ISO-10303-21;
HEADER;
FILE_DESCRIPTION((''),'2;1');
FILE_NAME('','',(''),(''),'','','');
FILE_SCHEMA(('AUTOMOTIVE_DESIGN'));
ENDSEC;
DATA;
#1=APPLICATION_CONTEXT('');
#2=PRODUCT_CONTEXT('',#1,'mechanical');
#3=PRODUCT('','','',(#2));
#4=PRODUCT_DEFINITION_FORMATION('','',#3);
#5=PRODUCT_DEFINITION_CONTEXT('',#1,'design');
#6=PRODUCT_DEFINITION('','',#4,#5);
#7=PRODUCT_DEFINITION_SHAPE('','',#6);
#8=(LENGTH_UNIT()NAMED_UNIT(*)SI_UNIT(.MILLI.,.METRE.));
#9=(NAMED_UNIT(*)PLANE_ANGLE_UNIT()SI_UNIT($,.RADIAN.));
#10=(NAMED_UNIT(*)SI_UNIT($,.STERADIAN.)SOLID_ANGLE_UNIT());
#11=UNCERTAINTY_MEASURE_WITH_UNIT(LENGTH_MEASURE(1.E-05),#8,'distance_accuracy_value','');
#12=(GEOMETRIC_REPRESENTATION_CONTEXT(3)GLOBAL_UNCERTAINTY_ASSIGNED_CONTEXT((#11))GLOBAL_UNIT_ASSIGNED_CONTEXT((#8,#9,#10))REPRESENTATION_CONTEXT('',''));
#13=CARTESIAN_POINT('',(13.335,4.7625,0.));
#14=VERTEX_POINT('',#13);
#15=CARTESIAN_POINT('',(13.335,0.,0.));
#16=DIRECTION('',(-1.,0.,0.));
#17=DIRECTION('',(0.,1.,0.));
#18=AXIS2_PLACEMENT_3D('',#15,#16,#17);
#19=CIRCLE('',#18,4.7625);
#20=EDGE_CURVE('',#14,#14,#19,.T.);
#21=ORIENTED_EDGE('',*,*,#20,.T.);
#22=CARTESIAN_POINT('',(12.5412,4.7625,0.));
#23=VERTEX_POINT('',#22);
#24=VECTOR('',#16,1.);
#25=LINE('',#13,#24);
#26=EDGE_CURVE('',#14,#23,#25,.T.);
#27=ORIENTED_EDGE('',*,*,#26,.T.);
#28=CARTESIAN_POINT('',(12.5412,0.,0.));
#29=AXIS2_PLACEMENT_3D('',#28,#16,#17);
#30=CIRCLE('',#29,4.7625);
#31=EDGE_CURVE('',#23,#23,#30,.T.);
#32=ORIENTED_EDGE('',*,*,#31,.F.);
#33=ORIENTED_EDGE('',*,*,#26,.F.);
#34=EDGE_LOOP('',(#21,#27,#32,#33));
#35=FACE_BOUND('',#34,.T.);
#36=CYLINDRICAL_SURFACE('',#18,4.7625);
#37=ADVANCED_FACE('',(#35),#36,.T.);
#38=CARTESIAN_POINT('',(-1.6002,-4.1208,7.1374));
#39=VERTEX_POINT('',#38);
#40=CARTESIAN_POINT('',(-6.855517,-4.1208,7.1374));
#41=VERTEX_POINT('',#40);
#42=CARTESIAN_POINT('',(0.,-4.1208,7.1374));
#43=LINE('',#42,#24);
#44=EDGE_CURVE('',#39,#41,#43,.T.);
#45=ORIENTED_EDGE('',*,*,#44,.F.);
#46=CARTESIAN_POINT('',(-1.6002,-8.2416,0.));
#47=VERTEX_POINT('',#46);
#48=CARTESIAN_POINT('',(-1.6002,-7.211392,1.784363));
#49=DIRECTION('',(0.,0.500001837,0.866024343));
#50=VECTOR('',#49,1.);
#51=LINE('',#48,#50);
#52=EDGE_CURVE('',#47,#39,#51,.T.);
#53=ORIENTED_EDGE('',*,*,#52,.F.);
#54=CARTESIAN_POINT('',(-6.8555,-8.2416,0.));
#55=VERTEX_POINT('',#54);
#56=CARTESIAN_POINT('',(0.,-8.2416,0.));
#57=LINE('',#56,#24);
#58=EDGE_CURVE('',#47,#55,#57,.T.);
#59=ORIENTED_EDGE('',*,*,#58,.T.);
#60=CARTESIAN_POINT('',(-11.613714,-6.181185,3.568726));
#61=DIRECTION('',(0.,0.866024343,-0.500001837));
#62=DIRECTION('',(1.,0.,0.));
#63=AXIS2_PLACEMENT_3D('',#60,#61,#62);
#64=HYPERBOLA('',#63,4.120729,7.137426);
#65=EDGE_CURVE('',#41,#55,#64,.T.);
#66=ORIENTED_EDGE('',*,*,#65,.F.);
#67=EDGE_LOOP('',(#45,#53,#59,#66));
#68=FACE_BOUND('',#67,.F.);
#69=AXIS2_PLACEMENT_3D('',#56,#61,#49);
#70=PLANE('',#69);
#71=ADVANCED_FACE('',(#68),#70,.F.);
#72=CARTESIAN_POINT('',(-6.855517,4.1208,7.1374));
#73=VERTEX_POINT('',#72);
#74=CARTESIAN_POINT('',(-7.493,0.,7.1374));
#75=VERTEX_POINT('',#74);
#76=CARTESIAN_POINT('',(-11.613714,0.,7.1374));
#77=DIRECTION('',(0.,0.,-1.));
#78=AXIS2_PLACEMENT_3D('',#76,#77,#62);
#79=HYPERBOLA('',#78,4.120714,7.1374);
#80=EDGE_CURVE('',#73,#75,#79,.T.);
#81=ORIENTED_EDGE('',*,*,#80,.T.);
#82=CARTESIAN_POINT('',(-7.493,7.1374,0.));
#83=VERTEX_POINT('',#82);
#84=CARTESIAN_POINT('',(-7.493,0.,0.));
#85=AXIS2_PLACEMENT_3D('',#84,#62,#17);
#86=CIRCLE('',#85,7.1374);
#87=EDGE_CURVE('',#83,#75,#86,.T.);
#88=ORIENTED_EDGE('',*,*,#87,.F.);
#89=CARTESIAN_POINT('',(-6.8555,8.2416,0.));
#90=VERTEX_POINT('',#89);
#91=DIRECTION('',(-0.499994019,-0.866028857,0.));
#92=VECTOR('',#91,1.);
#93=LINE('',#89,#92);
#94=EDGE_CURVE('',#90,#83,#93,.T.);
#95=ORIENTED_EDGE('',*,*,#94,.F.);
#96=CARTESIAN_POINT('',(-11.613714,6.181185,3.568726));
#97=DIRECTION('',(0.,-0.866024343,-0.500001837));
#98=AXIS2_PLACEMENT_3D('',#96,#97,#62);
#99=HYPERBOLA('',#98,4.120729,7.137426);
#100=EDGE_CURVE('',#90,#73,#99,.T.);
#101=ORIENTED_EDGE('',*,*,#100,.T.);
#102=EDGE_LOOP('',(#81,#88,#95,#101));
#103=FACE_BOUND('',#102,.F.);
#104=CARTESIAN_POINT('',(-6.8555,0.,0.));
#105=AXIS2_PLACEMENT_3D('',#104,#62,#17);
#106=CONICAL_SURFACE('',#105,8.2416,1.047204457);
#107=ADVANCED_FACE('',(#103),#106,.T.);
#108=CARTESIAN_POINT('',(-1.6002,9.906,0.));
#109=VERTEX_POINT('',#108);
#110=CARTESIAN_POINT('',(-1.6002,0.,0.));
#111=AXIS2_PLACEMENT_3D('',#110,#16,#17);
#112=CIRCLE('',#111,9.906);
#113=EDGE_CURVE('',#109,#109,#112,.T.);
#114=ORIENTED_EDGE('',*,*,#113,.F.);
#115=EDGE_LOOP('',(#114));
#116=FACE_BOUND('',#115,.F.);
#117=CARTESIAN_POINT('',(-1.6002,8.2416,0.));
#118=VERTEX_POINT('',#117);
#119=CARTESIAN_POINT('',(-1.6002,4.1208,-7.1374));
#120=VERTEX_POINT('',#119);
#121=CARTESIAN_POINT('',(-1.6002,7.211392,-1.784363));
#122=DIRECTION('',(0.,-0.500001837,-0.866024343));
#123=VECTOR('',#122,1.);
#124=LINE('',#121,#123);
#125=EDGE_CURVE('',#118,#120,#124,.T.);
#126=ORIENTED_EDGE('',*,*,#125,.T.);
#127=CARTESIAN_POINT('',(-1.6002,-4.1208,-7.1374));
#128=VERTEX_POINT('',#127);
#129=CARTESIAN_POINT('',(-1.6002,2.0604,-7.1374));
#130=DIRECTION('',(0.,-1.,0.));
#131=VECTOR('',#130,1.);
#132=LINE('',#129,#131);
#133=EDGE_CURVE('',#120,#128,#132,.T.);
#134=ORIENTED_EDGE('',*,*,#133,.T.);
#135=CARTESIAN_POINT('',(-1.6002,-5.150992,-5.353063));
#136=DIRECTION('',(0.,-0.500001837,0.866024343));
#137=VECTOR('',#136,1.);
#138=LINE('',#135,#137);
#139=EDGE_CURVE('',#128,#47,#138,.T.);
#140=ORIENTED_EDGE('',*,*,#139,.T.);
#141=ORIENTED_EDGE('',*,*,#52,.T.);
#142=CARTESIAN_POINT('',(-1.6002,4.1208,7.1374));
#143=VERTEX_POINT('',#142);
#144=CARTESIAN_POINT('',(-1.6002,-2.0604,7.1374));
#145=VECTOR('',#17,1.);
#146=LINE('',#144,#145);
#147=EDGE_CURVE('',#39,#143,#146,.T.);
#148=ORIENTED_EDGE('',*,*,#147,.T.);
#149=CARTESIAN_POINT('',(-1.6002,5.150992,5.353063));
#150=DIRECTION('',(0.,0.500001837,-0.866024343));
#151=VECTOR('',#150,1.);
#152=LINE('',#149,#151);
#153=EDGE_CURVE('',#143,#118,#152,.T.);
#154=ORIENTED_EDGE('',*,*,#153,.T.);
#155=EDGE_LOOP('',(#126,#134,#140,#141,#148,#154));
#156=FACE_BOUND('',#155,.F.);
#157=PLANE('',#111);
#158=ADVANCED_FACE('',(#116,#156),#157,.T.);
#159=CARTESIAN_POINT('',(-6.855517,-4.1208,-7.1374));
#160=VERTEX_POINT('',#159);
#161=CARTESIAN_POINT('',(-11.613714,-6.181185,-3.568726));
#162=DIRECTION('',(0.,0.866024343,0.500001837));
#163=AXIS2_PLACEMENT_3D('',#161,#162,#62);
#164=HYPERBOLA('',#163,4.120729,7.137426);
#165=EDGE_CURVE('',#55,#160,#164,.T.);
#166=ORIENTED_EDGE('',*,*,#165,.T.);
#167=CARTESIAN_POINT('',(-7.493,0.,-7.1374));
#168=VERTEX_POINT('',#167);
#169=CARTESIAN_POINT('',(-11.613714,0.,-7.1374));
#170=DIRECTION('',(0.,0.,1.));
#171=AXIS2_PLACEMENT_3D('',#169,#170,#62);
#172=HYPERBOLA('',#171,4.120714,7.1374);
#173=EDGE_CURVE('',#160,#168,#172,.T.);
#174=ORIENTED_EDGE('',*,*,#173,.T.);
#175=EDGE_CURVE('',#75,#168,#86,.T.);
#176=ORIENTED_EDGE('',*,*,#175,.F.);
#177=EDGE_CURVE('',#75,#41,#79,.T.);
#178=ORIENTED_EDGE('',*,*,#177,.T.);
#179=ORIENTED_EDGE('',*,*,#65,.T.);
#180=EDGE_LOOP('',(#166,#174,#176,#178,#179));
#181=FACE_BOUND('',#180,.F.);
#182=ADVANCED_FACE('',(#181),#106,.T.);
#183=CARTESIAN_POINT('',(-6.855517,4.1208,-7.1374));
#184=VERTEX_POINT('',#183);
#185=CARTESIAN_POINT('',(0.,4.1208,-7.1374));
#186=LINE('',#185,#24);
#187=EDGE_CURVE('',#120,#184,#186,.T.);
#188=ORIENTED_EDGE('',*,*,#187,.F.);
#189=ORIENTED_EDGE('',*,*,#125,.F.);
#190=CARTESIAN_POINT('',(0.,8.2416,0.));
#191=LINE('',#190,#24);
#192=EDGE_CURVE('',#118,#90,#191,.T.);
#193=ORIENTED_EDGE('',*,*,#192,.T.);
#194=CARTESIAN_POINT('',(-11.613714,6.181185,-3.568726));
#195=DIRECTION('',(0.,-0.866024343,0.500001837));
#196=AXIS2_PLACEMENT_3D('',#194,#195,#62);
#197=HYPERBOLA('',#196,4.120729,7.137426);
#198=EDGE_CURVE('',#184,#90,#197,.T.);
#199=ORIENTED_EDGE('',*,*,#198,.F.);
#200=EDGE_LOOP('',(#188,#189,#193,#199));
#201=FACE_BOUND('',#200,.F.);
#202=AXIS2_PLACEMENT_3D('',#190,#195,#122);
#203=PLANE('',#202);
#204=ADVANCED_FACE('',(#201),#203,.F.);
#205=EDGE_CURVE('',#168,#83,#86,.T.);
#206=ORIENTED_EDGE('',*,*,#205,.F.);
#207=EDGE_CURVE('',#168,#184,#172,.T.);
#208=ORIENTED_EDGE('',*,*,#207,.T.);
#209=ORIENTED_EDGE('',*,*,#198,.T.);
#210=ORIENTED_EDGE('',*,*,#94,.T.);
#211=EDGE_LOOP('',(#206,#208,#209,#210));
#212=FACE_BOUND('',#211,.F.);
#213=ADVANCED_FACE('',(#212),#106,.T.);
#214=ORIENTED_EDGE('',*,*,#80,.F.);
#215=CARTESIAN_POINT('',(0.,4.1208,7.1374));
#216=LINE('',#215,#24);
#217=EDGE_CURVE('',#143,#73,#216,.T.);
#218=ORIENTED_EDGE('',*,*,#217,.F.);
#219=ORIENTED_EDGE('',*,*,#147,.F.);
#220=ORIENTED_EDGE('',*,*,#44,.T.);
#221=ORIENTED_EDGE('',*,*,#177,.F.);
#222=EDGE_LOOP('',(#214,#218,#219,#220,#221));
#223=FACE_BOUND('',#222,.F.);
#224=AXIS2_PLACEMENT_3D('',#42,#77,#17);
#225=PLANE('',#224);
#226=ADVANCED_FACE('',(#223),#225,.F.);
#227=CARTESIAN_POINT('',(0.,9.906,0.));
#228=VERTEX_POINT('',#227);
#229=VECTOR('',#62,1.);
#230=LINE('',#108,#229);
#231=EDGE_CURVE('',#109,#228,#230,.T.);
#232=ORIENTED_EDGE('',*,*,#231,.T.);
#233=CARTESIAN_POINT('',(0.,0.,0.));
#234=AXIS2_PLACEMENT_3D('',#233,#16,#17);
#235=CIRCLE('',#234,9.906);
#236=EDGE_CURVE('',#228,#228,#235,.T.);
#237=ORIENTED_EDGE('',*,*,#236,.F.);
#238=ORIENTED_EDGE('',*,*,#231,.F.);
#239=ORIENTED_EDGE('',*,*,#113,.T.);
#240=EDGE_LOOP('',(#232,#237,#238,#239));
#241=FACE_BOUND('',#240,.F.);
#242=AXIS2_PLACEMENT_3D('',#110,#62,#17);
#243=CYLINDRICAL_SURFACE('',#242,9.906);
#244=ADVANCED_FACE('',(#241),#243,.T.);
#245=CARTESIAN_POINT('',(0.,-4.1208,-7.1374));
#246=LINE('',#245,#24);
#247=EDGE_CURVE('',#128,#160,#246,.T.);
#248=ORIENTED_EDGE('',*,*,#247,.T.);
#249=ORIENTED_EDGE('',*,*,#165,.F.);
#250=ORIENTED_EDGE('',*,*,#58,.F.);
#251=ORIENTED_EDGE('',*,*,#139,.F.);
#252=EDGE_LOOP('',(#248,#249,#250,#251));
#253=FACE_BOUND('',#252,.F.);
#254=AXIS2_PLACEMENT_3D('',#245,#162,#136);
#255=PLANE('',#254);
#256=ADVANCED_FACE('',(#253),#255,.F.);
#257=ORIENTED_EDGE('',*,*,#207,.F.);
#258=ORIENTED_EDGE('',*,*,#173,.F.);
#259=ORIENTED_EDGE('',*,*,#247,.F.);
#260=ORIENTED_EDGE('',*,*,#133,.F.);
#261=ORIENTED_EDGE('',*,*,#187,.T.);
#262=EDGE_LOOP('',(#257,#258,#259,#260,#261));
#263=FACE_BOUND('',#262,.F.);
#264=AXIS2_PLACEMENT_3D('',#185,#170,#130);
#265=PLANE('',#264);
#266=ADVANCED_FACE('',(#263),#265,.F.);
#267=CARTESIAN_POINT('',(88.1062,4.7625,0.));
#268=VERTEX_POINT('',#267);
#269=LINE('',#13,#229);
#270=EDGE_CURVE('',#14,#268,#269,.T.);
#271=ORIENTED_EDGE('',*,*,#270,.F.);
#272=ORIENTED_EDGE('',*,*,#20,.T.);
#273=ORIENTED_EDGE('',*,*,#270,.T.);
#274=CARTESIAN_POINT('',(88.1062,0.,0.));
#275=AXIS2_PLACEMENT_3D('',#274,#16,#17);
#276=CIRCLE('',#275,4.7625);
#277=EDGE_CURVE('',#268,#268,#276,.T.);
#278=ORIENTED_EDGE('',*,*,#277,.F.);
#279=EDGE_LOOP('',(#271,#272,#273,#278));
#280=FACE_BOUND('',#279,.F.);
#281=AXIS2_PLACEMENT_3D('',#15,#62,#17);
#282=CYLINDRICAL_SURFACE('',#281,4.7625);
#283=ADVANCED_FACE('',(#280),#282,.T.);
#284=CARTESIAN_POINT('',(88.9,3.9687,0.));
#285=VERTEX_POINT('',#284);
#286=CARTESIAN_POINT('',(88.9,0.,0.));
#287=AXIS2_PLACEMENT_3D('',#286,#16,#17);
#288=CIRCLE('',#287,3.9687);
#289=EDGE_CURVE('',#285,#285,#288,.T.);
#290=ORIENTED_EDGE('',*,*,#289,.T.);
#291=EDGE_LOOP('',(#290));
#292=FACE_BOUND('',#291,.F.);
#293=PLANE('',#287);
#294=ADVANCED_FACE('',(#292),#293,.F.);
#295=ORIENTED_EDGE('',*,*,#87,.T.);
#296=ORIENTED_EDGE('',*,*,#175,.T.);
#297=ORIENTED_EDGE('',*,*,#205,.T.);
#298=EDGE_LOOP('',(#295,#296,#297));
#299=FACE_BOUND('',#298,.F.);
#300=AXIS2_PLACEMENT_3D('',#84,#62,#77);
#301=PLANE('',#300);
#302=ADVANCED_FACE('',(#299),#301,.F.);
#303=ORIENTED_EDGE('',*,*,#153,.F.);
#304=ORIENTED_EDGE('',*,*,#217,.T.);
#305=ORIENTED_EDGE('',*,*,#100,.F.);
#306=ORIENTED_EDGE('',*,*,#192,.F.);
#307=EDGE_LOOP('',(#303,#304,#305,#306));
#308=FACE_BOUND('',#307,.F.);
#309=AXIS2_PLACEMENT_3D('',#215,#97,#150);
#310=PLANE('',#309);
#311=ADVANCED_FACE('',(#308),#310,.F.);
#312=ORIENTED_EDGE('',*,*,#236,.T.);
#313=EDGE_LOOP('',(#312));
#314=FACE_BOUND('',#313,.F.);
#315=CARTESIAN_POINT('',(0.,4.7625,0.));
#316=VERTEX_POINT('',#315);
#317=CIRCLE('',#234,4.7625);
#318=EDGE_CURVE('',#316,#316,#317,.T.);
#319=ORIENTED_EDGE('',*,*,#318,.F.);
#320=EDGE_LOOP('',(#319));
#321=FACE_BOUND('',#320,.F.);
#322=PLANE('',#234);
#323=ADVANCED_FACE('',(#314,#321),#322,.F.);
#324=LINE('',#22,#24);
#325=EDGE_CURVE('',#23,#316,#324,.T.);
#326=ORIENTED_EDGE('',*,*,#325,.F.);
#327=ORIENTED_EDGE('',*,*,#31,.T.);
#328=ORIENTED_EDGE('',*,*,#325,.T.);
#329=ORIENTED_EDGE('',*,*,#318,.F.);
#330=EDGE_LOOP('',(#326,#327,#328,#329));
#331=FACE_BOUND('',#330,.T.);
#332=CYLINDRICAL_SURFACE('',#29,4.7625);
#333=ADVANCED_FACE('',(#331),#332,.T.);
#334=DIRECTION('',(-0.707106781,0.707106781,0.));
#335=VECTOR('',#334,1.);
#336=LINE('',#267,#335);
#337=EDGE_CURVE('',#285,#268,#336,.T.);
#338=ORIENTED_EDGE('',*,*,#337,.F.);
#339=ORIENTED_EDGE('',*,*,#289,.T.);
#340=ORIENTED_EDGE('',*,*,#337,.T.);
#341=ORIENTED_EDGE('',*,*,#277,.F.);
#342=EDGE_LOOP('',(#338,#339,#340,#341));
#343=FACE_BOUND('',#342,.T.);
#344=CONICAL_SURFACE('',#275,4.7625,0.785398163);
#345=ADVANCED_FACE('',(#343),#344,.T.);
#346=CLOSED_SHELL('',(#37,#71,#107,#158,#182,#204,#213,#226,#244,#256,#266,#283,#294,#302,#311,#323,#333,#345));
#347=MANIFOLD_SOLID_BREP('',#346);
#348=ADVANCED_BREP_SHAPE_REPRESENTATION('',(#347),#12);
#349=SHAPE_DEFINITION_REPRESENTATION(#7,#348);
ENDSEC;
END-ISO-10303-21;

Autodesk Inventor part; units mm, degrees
ref_plane "YZ Plane" through (0, 0, 0) normal (1, 0, 0) x (0, 1, 0)
ref_plane "XZ Plane" through (0, 0, 0) normal (0, 1, 0) x (-1, 0, 0)
sketch "Sketch1" plane through (0, 0, 0) normal (0, 0, 1) x (1, 0, 0)
  line L0 (0, 9.906) -> (0, 4.7625)
  line L1 (13.335, 4.7625) -> (88.9, 4.7625)
  line L2 (88.9, 4.7625) -> (88.9, 0)
  line L3 (88.9, 0) -> (-1.6002, 0)
  line L4 (0, -1.9812) -> (0, 11.8872) projected
  line L5 (-19.7002, 0) -> (107, 0) projected
  line L6 (-1.6002, 0) -> (-1.6002, 9.906)
  line L7 (-1.6002, 9.906) -> (0, 9.906)
  line L8 (13.335, 4.7625) -> (12.5412, 4.7625)
  line L9 (12.5412, 4.7625) -> (0, 4.7625)
  dimension "d0" = 88.9
  dimension "d1" = 75.565
  dimension "d2" = 9.525
  dimension "d8" = 1.6002
  dimension "d9" = 19.812
  dimension "d15" = 9.525
  dimension "d16" = 0.7937
revolve "Body" add sketch "Sketch1" angle 360 about axis through (88.9, 0, 0) along (-1, 0, 0)
sketch "Sketch2" plane through (0, 0, 0) normal (1, 0, 0) x (0, 0, -1)
  circle A0 centre (0, 0) radius 9.906 projected
  line L0 (0, 8.2416) -> (7.1374, 4.1208)
  line L1 (7.1374, 4.1208) -> (7.1374, -4.1208)
  line L2 (7.1374, -4.1208) -> (0, -8.2416)
  line L3 (0, -8.2416) -> (-7.1374, -4.1208)
  line L4 (-7.1374, -4.1208) -> (-7.1374, 4.1208)
  line L5 (-7.1374, 4.1208) -> (0, 8.2416)
  circle A1 centre (0, 0) radius 9.906 projected
  dimension "d10" = 14.2748
extrude "Head" add sketch "Sketch2" against normal blind 7.493 contours L0 L1 L2 L3 L4 L5
sketch "Sketch3" plane through (0, 0, 0) normal (0, 0, 1) x (1, 0, 0)
  line L0 (-7.493, 7.1374) -> (-7.493, 8.2416)
  line L1 (-7.493, 8.2416) -> (-6.8555, 8.2416)
  line L2 (-6.8555, 8.2416) -> (-7.493, 7.1374)
  line L3 (-2.8347, 8.2416) -> (-7.493, 8.2416)
  line L4 (-7.493, 8.2416) -> (-7.493, 5.9322)
  line L5 (-1.6002, 8.2416) -> (-7.493, 8.2416) projected
  line L6 (-7.493, 8.2416) -> (-7.493, 4.1208) projected
  line L7 (-8.6716, 0) -> (-0.4216, 0) projected
  dimension "d5" = 30
  dimension "d18" = 14.2748
revolve "Chamfer1" cut sketch "Sketch3" angle 360 about axis through (-10, 0, 0) along (1, 0, 0)
thread "Thread" size "3/8-16 UNC" class "2A" standard "ANSI Unified Screw Threads" length 75.565
chamfer "Chamfer2" distance 0.7938 distance2 0.7938 1 edges at (88.9, -4.7625, 0) measured on face at (88.9, 1.1883, -1.0527)
ref_plane "Work Plane1" through (3.5, 0, 0) normal (0, 0, 1) x (1, 0, 0)
equation "\"d0\" = NLG"
equation "\"d1\" = GEL"
equation "\"d2\" = GD"
equation "\"d8\" = PHH"
equation "\"d9\" = LADI"
equation "\"d15\" = BDM"
equation "\"d16\" = GAL"
equation "\"d10\" = SW"
equation "\"d3\" = KOH"
equation "\"d13\" = GEL"
equation "\"d6\" = -0.5 * SPD + 0.5 * GD"
equation "\"d7\" = -0.5 * SPD + 0.5 * GD"
equation "\"d5\" = ANG1"
equation "\"d18\" = SW0"
equation "\"NLG\" = 88.9"
equation "\"GD\" = NND"
equation "\"BDM\" = NND"
equation "\"KOH\" = 7.493"
equation "\"GEL\" = 75.565"
equation "\"LADI\" = 19.812"
equation "\"SW\" = 14.2748"
equation "\"PHH\" = 1.6002"
equation "\"SW0\" = 14.2748"
equation "\"SPD\" = GD1"
equation "\"ANG1\" = 30deg"
equation "\"GAL\" = 0.79375"
equation "\"GUL\" = GAL"
equation "\"GD1\" = 7.9375"
equation "\"THREADDIA\" = 9.525"
equation "\"SDH\" = SW"
equation "\"TOA\" = 30deg"
equation "\"RR\" = 0.09525"
equation "\"NND\" = 9.525"
equation "\"SD\" = 0"
equation "\"SD2\" = NND"
equation "\"E0\" = 16.48739"
properties part number "ANSI B18.6.3 - 3/8-16 UNC x 3.5, PHWHMSI" material "Steel, Mild"
